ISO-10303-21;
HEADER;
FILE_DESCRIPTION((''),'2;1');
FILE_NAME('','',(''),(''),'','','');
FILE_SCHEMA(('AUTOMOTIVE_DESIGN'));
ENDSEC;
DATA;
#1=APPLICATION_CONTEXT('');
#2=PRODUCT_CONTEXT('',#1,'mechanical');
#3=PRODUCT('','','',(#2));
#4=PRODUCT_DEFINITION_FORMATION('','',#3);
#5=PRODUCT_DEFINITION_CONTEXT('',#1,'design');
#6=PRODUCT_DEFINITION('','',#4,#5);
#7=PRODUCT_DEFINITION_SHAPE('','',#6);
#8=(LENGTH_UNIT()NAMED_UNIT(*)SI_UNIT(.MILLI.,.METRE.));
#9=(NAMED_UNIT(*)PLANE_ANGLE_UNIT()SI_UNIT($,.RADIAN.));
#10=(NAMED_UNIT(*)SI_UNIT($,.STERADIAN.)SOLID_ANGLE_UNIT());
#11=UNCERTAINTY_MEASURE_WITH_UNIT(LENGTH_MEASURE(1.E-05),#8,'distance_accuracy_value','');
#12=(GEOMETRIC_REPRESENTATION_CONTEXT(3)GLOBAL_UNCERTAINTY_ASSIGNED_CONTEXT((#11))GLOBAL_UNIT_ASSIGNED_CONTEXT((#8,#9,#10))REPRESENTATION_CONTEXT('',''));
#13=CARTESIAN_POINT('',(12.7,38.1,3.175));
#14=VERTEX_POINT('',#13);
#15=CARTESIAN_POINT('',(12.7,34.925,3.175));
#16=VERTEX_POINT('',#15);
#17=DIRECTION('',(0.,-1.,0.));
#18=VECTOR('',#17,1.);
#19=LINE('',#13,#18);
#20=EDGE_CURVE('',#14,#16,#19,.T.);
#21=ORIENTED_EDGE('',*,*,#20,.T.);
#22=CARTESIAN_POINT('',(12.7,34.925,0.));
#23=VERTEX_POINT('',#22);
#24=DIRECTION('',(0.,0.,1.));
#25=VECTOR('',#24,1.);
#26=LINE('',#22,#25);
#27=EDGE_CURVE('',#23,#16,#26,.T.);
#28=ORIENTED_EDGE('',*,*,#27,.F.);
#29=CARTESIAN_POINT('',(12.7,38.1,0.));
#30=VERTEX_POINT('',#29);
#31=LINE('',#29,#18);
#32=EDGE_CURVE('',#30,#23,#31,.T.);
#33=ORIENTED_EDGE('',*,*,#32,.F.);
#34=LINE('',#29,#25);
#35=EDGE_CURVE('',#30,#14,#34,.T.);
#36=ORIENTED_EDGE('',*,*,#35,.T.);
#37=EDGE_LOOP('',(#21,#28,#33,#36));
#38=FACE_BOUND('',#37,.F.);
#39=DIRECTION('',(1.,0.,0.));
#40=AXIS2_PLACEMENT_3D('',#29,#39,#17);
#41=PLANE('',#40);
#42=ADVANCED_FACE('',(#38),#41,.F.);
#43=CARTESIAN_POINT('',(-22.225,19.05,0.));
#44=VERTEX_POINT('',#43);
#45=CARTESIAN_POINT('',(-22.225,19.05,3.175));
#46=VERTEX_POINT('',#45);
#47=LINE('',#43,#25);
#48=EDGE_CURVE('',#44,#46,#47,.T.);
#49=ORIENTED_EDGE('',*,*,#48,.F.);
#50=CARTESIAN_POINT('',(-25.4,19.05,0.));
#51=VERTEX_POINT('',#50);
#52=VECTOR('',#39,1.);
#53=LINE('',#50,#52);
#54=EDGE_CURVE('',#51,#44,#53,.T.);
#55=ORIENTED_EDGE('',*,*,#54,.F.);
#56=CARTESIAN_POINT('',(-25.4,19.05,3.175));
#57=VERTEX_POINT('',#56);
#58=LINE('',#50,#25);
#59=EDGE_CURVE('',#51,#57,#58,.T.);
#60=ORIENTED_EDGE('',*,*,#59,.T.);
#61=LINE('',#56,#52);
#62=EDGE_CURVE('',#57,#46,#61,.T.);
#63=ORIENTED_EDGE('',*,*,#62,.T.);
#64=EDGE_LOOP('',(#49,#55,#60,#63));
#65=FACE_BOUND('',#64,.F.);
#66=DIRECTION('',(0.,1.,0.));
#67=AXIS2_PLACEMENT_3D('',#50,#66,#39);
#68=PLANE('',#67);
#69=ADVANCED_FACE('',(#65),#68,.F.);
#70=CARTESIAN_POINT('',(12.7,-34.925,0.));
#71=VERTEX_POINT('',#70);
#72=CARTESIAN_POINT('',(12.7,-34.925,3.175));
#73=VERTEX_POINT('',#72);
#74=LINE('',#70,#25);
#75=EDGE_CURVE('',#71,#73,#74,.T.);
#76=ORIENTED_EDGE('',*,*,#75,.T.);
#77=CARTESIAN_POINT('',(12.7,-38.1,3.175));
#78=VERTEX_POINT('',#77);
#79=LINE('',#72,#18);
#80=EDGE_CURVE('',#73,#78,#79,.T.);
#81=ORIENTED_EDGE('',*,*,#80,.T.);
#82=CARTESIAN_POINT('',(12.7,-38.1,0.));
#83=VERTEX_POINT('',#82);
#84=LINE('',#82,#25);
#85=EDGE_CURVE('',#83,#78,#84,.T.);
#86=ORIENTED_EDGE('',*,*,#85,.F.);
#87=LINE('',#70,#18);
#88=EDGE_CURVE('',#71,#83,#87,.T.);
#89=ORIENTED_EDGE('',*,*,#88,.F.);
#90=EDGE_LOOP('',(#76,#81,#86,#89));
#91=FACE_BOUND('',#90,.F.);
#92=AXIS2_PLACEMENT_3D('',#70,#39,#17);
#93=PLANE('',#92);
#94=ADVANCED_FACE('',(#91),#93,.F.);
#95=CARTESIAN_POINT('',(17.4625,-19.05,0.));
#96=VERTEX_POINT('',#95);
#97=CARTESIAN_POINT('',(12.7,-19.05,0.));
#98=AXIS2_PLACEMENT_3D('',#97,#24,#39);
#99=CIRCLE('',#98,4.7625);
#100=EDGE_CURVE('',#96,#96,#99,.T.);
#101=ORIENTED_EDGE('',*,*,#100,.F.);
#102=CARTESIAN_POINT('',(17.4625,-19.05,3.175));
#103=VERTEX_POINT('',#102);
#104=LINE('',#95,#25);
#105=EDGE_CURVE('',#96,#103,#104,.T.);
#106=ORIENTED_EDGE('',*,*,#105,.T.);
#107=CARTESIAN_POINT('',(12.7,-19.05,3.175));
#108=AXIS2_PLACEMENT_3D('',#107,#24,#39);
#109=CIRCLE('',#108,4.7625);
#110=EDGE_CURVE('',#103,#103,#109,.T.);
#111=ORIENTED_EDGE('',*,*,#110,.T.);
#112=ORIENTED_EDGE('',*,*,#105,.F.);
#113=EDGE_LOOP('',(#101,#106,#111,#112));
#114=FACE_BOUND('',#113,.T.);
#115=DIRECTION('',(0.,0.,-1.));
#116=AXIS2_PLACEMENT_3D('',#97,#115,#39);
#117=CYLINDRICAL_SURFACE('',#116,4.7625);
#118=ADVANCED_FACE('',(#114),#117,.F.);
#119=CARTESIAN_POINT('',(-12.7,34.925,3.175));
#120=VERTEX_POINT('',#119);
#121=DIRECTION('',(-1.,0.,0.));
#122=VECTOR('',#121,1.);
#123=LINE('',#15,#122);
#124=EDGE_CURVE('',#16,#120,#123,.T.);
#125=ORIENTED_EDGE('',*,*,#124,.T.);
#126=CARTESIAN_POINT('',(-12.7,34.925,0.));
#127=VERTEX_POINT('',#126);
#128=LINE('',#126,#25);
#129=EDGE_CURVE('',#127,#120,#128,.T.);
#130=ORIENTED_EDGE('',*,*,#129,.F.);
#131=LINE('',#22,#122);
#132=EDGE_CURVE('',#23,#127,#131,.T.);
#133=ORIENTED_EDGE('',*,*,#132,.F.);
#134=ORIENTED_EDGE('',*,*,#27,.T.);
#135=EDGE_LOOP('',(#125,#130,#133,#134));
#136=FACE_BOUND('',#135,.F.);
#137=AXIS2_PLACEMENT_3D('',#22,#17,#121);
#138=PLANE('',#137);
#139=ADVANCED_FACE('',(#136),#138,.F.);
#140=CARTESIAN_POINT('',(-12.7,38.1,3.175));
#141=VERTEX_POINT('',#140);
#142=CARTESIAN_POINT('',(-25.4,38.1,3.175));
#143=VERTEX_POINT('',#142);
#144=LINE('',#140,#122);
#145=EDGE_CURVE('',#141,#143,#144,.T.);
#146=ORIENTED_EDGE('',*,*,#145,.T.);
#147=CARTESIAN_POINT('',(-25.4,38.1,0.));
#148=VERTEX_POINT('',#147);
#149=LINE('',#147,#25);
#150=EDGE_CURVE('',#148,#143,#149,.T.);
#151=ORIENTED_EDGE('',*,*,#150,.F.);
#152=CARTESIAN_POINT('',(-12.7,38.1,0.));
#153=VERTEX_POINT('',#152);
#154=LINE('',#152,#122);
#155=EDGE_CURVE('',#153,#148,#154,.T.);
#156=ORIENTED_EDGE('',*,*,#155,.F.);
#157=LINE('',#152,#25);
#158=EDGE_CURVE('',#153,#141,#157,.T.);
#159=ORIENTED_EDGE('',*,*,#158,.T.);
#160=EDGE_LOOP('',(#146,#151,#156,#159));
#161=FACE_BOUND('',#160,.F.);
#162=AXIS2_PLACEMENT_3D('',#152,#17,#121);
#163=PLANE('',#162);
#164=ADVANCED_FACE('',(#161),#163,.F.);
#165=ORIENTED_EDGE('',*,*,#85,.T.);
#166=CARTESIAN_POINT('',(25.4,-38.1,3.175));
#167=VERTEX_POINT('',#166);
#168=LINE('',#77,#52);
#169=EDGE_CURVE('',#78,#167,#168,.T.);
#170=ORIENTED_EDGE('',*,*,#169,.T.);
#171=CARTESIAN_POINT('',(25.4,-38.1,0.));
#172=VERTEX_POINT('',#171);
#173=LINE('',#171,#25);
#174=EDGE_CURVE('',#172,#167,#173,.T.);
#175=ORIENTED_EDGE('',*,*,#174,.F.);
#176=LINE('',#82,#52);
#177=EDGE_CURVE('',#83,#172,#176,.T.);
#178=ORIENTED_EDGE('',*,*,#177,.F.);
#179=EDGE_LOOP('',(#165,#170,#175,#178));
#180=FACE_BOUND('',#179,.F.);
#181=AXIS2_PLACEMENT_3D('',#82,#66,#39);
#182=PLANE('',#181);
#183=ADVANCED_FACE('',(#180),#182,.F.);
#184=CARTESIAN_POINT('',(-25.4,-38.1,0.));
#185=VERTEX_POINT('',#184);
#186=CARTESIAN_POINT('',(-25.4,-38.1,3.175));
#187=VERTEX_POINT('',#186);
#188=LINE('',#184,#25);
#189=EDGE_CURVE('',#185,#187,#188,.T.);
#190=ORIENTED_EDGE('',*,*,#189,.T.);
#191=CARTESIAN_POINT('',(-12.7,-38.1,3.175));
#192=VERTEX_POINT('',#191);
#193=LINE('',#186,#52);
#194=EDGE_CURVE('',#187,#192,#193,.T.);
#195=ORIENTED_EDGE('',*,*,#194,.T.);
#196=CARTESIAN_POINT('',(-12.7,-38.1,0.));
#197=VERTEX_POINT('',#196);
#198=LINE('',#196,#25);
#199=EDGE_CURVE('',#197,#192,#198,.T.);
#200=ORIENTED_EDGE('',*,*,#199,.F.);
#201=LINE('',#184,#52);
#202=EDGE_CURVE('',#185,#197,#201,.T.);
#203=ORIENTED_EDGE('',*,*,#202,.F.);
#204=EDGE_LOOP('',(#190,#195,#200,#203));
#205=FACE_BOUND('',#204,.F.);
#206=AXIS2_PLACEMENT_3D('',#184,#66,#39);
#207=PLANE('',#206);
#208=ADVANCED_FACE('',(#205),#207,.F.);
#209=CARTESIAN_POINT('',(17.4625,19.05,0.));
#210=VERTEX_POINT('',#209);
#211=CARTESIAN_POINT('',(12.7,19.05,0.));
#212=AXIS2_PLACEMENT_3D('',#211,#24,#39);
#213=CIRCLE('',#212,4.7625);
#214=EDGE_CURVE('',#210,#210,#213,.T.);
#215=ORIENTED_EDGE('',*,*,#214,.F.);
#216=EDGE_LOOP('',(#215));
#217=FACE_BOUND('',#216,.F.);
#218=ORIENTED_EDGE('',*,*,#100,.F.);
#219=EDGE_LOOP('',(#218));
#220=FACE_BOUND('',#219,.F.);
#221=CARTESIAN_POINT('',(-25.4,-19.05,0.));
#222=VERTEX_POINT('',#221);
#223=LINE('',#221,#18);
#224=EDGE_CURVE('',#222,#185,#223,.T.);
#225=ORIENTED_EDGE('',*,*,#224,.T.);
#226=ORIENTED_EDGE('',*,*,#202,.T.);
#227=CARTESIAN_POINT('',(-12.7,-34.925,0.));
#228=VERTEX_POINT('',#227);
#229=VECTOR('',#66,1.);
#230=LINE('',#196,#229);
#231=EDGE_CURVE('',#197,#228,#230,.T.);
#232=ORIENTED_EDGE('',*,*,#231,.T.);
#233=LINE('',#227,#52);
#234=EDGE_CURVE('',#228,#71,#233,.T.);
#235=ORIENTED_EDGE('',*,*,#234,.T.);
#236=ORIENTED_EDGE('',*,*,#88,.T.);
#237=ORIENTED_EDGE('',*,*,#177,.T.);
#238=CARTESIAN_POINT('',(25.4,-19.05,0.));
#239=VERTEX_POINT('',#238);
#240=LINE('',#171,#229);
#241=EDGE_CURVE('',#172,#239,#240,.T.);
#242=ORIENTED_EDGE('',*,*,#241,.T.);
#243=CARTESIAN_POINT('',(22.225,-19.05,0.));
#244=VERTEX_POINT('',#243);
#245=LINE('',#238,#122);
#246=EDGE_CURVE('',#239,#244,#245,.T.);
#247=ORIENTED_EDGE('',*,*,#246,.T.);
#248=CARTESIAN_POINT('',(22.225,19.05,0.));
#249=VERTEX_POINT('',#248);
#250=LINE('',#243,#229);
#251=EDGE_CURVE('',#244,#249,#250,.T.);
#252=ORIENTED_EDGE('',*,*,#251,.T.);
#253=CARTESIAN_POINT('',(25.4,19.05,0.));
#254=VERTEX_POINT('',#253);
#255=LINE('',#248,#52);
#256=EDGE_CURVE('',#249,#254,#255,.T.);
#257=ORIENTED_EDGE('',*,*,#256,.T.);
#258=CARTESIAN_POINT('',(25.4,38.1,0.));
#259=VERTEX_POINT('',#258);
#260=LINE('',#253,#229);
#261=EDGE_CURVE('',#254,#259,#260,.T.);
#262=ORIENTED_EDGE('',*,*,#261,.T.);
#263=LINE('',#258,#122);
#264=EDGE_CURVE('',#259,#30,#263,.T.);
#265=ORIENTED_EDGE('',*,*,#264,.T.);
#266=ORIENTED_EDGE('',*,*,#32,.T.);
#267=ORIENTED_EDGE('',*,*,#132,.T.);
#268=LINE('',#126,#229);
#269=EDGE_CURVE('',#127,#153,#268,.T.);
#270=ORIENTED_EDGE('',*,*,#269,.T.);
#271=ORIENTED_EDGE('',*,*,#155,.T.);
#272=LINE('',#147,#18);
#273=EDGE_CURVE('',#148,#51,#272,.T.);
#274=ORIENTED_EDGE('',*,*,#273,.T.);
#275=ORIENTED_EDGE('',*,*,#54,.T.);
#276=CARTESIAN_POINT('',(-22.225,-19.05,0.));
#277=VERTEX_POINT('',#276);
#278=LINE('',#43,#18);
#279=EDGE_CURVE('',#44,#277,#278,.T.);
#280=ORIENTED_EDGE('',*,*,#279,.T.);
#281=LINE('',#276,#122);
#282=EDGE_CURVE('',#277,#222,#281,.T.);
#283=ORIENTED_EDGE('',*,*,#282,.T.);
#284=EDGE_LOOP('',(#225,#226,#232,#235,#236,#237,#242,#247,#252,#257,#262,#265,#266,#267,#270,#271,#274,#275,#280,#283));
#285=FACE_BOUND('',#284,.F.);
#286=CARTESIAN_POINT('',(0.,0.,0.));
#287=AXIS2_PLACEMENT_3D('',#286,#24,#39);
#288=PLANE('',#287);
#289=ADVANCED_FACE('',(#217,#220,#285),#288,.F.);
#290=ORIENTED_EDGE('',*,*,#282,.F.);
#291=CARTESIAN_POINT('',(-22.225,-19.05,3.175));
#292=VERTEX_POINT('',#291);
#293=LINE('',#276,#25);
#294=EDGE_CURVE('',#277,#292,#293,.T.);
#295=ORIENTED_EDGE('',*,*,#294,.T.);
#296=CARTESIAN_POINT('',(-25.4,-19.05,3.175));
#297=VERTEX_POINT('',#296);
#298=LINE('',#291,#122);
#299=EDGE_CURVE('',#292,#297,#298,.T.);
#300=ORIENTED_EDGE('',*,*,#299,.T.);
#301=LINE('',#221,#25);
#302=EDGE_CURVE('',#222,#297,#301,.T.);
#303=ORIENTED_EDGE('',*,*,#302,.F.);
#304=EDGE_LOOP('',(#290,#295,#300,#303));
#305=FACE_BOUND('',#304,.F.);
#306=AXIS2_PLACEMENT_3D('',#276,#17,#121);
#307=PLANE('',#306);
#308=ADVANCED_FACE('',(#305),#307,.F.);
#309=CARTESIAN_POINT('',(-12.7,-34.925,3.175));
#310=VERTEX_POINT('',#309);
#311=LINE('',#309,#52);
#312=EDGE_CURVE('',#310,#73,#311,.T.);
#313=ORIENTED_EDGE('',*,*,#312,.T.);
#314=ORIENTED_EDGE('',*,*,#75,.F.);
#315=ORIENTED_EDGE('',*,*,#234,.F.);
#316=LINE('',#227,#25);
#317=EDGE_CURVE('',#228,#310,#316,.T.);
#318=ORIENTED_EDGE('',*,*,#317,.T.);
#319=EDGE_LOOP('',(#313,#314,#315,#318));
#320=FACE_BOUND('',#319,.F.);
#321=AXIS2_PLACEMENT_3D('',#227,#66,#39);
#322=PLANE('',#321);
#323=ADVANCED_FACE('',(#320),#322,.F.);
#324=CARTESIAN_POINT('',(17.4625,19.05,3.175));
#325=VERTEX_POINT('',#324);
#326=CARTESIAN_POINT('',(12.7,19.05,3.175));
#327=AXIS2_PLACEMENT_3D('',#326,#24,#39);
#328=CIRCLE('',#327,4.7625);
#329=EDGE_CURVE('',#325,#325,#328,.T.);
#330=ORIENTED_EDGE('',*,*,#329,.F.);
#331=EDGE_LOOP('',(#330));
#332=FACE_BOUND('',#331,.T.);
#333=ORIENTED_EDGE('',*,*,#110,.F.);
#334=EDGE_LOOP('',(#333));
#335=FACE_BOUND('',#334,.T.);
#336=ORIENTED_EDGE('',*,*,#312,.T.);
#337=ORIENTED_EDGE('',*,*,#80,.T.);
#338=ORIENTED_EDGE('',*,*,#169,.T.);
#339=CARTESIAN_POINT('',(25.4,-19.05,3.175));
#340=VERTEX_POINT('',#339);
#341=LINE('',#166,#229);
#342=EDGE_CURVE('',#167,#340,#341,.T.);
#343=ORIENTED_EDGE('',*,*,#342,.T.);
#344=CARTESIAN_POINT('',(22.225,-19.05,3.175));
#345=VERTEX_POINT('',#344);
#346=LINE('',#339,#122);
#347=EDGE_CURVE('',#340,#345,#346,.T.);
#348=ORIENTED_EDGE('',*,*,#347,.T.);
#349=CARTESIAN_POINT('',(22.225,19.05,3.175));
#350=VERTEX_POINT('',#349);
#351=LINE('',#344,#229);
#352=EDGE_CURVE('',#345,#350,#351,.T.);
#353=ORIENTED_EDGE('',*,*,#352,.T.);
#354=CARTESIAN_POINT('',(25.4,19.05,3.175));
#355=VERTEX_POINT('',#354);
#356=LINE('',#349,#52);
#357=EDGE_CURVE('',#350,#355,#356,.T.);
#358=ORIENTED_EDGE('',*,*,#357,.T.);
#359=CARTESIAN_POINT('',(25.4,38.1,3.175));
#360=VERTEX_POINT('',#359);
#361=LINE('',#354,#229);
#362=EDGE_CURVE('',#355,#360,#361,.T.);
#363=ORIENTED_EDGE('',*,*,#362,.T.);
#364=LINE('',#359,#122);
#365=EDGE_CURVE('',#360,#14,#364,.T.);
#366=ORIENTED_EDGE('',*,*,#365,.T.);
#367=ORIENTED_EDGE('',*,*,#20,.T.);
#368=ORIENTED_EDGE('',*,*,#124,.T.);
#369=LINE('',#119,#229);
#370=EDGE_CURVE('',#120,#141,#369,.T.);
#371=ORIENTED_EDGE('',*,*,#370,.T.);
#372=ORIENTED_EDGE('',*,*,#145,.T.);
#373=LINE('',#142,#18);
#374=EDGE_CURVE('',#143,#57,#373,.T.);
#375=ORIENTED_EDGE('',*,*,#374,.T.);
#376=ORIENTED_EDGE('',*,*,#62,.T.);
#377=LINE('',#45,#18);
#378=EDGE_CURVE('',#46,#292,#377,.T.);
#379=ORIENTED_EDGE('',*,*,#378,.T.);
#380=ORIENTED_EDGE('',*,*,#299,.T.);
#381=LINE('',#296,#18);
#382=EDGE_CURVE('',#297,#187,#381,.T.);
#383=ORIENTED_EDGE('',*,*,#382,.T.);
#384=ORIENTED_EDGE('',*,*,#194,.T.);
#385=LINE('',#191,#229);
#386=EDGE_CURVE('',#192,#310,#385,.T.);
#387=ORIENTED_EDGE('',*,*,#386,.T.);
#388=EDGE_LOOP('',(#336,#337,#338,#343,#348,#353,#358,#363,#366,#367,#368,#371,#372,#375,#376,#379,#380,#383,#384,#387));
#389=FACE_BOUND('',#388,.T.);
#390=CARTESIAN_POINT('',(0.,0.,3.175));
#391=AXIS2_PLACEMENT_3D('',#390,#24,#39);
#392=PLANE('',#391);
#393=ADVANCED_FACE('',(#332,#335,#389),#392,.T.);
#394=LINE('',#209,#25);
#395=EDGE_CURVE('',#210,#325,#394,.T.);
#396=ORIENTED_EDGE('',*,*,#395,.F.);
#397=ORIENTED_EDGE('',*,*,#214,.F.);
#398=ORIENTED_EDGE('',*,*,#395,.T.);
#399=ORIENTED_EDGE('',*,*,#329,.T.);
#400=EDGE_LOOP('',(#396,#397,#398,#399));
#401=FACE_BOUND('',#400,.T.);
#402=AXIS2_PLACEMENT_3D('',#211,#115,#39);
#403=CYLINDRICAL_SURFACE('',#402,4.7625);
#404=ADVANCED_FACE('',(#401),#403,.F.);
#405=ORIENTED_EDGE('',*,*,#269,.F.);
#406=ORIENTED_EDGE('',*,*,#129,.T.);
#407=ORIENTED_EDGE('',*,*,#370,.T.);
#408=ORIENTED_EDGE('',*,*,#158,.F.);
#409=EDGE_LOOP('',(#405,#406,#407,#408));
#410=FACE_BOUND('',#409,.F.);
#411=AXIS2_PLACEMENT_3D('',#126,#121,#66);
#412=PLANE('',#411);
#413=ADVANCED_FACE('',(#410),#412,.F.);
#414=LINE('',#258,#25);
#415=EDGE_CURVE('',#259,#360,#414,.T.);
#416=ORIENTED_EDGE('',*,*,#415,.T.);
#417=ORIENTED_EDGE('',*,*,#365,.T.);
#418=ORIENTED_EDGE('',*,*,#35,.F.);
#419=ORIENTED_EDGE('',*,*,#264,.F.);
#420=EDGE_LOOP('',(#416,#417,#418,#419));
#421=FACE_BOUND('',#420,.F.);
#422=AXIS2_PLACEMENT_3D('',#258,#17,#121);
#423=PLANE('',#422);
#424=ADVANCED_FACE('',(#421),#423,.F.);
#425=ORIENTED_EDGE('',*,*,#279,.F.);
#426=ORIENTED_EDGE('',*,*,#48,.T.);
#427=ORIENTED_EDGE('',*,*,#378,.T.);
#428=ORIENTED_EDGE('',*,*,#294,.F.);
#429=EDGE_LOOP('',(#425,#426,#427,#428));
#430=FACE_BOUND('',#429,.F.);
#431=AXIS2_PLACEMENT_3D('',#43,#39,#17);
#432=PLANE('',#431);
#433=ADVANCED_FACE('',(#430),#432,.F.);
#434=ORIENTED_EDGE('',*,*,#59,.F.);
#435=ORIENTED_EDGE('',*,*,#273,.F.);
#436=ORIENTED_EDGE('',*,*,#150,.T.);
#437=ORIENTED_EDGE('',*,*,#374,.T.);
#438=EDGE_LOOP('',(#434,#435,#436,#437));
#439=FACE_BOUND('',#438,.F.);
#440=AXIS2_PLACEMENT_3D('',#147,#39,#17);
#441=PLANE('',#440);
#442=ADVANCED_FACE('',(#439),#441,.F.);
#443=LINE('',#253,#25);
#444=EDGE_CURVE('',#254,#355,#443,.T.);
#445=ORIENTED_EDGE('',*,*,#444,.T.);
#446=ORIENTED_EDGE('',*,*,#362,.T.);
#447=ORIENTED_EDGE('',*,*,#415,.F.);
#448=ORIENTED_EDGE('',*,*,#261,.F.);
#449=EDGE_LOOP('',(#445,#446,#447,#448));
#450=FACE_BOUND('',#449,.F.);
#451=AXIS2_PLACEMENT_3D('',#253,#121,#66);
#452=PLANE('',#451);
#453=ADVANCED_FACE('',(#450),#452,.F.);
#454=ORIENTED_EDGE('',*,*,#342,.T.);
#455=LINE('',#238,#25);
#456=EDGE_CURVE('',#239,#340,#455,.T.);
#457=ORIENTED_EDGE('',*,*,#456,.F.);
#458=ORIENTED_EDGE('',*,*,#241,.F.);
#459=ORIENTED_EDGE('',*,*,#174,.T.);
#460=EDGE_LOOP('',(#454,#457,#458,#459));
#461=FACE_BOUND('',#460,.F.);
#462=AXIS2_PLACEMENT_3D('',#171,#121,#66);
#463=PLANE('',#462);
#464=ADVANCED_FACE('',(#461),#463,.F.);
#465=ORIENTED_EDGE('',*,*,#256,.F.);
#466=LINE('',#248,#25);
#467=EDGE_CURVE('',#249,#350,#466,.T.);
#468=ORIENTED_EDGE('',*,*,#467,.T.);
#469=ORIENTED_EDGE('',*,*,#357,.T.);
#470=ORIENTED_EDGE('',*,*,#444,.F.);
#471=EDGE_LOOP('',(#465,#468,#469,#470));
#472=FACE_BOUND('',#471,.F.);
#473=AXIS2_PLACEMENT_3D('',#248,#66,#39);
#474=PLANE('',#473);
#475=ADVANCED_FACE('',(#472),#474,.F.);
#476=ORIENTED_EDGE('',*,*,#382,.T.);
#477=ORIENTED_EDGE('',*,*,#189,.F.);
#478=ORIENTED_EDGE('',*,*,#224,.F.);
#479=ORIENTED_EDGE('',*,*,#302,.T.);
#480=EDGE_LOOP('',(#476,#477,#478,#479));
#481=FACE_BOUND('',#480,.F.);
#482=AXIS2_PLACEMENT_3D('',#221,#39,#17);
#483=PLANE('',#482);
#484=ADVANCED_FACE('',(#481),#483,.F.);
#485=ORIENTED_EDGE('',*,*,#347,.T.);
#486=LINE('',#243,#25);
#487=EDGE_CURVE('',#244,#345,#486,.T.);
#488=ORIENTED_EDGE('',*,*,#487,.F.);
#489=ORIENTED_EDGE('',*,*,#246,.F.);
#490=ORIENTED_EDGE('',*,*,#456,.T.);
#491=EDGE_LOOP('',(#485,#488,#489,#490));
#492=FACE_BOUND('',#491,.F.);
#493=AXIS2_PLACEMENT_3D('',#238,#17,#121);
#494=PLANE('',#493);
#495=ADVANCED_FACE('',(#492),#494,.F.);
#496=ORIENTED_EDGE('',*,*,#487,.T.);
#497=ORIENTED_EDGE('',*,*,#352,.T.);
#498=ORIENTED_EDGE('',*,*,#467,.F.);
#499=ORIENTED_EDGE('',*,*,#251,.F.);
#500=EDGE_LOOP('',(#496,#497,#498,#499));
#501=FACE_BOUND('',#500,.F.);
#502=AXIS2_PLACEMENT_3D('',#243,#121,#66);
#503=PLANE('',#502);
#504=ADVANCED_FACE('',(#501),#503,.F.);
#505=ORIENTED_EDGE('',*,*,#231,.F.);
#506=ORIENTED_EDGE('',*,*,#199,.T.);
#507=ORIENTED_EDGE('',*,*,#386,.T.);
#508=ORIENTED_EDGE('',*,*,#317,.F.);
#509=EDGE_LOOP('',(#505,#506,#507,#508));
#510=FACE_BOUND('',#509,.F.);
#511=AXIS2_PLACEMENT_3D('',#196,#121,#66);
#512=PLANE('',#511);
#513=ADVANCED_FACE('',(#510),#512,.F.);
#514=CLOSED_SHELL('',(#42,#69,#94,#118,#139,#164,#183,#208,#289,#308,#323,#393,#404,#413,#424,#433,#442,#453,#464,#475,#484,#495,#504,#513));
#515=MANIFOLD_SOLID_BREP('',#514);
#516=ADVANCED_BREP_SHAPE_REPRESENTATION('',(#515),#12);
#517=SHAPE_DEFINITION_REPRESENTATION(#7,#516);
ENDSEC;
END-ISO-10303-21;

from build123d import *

# Parameters (mm, degrees)
F0_R     = 4.7625
F1_DEPTH = 3.175


with BuildPart() as f1:
    # F0 (on Top) → F1 (new body)
    with BuildSketch(Plane.XY):
        Polygon((25.4, 19.05), (25.4, 38.1), (12.7, 38.1), (12.7, 34.925), (-12.7, 34.925), (-12.7, 38.1), (-25.4, 38.1), (-25.4, 19.05), (-22.225, 19.05), (-22.225, -19.05), (-25.4, -19.05), (-25.4, -38.1), (-12.7, -38.1), (-12.7, -34.925), (12.7, -34.925), (12.7, -38.1), (25.4, -38.1), (25.4, -19.05), (22.225, -19.05), (22.225, 19.05), align=None)
        with Locations((12.7, -19.05)):
            Circle(F0_R, mode=Mode.SUBTRACT)
        with Locations((12.7, 19.05)):
            Circle(F0_R, mode=Mode.SUBTRACT)
    extrude(amount=F1_DEPTH)


solid = f1.part
